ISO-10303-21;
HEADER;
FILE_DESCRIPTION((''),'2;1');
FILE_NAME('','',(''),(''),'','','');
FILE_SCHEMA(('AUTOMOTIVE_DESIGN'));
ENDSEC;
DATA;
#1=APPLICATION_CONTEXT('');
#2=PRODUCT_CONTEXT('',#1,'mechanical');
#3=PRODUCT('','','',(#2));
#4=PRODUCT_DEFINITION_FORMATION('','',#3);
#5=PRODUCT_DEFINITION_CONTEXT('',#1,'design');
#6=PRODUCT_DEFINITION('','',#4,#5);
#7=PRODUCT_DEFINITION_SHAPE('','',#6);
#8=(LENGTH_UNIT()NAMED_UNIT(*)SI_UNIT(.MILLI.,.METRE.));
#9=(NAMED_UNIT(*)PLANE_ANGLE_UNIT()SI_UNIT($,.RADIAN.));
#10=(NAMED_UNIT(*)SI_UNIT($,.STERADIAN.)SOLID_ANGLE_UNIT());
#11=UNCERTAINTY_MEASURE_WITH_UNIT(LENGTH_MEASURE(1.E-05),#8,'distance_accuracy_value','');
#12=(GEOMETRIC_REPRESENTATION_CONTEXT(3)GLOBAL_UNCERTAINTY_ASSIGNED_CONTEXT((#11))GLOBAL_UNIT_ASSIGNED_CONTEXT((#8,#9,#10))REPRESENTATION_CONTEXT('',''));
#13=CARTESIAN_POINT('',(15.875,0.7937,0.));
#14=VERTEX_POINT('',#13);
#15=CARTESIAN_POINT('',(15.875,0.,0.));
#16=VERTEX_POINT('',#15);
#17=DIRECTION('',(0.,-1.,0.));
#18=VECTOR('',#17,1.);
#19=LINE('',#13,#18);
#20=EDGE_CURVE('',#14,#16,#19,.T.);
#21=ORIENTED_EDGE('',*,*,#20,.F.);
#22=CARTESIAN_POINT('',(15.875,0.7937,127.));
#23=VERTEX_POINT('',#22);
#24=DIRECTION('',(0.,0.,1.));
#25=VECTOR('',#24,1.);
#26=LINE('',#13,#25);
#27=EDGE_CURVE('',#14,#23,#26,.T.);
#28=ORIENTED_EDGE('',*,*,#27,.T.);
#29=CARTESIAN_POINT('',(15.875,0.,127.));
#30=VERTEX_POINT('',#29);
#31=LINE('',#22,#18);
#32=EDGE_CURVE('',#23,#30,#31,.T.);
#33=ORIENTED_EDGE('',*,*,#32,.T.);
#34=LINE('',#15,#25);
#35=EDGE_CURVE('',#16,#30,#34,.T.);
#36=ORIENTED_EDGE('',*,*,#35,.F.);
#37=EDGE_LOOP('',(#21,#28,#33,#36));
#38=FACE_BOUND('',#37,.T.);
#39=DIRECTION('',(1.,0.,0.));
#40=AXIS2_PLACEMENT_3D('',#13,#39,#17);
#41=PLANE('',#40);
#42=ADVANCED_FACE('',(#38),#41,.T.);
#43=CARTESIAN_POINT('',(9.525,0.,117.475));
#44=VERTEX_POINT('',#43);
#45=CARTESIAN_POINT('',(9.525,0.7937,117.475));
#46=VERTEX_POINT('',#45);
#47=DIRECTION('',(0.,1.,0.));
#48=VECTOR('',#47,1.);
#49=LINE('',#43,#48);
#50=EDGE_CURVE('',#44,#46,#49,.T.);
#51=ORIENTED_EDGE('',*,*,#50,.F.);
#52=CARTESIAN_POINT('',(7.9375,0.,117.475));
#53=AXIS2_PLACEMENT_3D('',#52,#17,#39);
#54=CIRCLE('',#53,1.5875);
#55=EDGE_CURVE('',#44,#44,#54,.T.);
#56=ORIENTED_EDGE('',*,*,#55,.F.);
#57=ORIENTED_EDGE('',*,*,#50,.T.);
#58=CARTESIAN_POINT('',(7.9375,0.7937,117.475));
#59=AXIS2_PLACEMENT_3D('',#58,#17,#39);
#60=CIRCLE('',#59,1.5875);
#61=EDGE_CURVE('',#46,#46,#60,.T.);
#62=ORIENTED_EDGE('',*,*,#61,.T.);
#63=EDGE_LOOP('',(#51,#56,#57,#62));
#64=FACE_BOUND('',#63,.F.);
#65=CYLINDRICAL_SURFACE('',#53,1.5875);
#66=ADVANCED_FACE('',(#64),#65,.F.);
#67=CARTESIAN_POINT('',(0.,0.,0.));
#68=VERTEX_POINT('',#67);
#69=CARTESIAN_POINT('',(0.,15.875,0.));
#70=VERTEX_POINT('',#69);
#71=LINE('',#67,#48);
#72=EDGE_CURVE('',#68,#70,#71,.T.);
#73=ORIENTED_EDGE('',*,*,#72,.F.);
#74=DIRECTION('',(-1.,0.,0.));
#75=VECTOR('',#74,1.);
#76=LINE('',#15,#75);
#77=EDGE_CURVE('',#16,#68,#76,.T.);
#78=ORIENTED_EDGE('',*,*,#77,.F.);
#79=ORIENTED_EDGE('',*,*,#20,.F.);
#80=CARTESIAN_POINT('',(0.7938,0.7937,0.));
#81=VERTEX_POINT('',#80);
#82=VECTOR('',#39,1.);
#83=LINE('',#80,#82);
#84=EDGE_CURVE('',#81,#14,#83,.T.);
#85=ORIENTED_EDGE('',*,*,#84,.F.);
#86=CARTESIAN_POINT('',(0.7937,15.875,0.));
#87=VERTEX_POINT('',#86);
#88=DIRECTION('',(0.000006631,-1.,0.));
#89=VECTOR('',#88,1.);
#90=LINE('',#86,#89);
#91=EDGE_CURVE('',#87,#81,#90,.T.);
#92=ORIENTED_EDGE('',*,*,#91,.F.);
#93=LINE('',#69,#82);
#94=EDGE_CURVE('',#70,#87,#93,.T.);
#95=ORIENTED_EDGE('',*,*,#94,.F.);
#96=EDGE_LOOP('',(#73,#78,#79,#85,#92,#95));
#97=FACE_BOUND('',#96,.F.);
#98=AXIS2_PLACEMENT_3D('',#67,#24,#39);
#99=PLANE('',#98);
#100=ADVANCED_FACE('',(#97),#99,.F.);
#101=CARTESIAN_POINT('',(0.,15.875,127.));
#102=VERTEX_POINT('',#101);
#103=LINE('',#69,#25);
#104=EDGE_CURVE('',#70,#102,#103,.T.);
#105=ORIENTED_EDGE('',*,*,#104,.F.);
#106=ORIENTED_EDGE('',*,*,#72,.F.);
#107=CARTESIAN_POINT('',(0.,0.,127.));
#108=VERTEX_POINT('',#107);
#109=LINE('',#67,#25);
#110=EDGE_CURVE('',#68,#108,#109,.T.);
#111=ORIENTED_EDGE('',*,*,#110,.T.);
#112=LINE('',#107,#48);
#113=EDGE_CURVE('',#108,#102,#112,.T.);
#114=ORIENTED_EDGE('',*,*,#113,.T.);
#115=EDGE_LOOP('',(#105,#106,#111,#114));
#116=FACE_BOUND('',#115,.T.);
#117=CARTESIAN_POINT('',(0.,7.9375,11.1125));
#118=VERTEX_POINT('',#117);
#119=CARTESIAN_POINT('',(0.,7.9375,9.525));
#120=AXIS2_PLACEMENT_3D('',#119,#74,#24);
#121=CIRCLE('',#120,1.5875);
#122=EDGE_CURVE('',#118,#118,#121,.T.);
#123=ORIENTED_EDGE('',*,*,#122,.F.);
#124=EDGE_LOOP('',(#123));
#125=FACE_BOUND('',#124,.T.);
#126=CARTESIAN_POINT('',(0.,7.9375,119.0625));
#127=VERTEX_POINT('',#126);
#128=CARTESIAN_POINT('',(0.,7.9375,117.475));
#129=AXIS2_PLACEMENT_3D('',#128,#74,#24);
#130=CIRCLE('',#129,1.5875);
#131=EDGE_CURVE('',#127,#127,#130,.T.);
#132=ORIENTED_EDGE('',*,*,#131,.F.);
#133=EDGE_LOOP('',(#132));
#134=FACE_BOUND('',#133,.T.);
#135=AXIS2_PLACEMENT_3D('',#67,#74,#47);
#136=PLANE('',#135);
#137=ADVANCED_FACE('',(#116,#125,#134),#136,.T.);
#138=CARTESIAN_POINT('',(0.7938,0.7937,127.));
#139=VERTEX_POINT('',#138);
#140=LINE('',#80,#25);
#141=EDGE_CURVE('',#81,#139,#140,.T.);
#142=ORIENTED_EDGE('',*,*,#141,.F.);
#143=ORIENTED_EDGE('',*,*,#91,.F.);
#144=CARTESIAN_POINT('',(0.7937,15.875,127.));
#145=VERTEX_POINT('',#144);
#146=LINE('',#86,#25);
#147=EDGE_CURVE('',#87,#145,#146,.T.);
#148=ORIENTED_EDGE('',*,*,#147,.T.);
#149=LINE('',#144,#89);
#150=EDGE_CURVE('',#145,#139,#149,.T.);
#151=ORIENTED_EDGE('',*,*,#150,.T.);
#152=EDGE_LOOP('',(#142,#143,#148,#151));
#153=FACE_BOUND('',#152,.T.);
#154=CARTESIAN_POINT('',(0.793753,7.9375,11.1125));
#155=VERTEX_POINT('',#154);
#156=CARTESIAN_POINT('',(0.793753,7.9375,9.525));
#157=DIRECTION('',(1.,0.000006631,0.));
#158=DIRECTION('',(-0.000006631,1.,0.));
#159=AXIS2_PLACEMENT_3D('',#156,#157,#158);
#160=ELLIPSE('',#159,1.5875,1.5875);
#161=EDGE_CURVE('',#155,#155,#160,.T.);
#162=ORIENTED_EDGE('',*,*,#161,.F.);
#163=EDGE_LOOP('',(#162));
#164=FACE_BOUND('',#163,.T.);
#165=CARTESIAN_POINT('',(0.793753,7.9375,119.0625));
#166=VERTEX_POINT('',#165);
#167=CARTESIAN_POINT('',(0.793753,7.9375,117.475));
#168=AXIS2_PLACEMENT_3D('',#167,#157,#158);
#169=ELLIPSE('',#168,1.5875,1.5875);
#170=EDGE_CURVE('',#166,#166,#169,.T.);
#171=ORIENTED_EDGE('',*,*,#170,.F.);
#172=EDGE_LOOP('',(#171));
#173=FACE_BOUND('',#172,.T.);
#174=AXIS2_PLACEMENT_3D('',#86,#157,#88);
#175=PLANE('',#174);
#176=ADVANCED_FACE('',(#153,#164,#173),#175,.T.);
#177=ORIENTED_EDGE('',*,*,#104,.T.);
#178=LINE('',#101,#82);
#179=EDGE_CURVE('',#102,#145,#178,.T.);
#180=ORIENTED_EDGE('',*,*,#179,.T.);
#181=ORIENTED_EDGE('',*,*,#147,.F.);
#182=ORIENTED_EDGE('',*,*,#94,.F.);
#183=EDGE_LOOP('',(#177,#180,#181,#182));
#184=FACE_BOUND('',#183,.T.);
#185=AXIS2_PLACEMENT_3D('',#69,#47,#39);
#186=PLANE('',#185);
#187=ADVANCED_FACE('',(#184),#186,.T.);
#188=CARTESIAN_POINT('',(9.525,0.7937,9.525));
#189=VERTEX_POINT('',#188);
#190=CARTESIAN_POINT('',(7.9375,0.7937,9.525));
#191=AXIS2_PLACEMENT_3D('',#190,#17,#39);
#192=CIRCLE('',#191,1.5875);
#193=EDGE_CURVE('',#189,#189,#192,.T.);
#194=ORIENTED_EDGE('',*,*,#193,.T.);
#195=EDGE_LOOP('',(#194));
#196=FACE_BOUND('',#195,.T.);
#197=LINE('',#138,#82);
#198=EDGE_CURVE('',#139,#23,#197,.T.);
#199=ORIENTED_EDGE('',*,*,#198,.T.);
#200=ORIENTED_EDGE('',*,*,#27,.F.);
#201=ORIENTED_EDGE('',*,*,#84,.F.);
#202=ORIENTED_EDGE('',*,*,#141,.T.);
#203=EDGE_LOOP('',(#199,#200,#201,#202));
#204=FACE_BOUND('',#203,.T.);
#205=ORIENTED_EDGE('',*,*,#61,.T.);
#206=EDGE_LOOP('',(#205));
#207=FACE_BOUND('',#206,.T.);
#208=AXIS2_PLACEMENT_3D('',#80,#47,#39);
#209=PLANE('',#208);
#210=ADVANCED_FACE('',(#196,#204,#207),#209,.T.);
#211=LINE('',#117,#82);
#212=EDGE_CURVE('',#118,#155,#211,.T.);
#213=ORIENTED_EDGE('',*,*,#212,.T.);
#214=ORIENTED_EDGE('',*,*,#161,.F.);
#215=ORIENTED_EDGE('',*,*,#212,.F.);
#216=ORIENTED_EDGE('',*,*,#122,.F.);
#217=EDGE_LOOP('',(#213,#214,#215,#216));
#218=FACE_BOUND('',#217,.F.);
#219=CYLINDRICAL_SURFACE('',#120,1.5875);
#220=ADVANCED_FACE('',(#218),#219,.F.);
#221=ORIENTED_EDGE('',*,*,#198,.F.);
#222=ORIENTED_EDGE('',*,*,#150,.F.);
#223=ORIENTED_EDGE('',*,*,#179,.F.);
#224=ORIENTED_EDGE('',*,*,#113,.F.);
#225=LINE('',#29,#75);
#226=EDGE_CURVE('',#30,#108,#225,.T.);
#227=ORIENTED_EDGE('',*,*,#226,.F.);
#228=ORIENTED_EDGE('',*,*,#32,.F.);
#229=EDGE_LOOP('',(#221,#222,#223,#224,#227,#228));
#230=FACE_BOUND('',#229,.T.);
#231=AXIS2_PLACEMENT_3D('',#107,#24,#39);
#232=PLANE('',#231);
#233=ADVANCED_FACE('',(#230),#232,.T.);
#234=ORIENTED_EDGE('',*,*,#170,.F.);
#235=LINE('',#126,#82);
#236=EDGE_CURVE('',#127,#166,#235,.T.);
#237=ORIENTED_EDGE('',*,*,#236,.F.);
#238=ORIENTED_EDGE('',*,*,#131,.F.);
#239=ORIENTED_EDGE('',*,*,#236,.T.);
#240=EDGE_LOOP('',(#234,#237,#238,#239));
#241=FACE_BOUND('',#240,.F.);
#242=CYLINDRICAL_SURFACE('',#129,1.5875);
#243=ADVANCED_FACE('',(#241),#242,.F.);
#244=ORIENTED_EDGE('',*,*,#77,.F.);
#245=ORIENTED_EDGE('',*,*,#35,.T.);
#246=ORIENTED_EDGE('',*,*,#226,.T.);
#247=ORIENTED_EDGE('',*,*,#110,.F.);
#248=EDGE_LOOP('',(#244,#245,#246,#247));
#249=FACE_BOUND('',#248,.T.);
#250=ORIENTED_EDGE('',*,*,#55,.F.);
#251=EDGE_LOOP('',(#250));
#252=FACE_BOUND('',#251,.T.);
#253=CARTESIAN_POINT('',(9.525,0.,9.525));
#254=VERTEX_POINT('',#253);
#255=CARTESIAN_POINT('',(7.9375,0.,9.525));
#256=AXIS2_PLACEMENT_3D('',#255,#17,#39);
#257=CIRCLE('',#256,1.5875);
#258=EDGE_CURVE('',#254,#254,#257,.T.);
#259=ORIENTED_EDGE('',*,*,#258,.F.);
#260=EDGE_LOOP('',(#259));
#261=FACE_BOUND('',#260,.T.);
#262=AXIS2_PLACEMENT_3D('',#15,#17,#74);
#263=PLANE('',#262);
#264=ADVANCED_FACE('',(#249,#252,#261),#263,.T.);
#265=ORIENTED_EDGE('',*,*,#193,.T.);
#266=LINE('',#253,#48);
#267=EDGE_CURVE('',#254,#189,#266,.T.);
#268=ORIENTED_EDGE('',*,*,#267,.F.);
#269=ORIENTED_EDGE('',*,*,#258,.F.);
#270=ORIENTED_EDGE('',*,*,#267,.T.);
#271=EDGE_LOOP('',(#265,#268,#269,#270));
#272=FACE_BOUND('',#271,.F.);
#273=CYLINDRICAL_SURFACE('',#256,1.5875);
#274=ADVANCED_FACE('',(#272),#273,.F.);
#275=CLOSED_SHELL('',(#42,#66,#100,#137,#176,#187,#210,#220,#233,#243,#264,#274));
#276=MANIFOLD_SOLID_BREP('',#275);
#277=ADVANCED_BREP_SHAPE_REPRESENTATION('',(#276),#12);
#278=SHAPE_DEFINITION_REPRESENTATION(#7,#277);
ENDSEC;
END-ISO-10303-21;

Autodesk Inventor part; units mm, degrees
ref_plane "YZ Plane" through (0, 0, 0) normal (1, 0, 0) x (0, 1, 0)
ref_plane "XZ Plane" through (0, 0, 0) normal (0, 1, 0) x (-1, 0, 0)
ref_plane "XY Plane" through (0, 0, 0) normal (0, 0, 1) x (1, 0, 0)
sketch "Sketch1" plane through (0, 0, 0) normal (0, 0, 1) x (1, 0, 0)
  line L0 (0, 0) -> (0, 15.875)
  line L1 (0, 15.875) -> (0.7937, 15.875)
  line L2 (0.7937, 15.875) -> (0.7938, 0.7937)
  line L3 (0.7938, 0.7937) -> (15.875, 0.7937)
  line L4 (15.875, 0.7937) -> (15.875, 0)
  line L5 (15.875, 0) -> (0, 0)
  dimension "d0" = 15.875
  dimension "d1" = 0.7937
extrude "Extrusion1" add sketch "Sketch1" along normal blind 127
sketch "Sketch2" plane through (0, 0, 0) normal (0, -1, 0) x (1, 0, 0)
  line L0 (15.875, 0) -> (0, 0) projected
  line L1 (0, 127) -> (15.875, 127) projected
  line L2 (7.9375, 127) -> (7.9375, 0) construction
  circle A0 centre (7.9375, 117.475) radius 1.5875
  circle A1 centre (7.9375, 9.525) radius 1.5875
  dimension "d4" = 3.175
  dimension "d5" = 3.175
  dimension "d6" = 9.525
  dimension "d7" = 9.525
extrude "Extrusion2" cut sketch "Sketch2" against normal through all
sketch "Sketch3" plane through (0, 0, 0) normal (-1, 0, 0) x (0, 0, 1)
  line L0 (0, 0) -> (0, 15.875) projected
  line L1 (127, 15.875) -> (127, 0) projected
  line L2 (0, 7.9375) -> (127, 7.9375) construction
  circle A0 centre (9.525, 7.9375) radius 1.5875
  circle A1 centre (117.475, 7.9375) radius 1.5875
  dimension "d10" = 3.175
  dimension "d11" = 3.175
  dimension "d12" = 9.525
  dimension "d13" = 9.525
extrude "Extrusion3" cut sketch "Sketch3" against normal through all
properties part number "Shooter Wheel Shields Connector Bar" material "Aluminum 6061"
